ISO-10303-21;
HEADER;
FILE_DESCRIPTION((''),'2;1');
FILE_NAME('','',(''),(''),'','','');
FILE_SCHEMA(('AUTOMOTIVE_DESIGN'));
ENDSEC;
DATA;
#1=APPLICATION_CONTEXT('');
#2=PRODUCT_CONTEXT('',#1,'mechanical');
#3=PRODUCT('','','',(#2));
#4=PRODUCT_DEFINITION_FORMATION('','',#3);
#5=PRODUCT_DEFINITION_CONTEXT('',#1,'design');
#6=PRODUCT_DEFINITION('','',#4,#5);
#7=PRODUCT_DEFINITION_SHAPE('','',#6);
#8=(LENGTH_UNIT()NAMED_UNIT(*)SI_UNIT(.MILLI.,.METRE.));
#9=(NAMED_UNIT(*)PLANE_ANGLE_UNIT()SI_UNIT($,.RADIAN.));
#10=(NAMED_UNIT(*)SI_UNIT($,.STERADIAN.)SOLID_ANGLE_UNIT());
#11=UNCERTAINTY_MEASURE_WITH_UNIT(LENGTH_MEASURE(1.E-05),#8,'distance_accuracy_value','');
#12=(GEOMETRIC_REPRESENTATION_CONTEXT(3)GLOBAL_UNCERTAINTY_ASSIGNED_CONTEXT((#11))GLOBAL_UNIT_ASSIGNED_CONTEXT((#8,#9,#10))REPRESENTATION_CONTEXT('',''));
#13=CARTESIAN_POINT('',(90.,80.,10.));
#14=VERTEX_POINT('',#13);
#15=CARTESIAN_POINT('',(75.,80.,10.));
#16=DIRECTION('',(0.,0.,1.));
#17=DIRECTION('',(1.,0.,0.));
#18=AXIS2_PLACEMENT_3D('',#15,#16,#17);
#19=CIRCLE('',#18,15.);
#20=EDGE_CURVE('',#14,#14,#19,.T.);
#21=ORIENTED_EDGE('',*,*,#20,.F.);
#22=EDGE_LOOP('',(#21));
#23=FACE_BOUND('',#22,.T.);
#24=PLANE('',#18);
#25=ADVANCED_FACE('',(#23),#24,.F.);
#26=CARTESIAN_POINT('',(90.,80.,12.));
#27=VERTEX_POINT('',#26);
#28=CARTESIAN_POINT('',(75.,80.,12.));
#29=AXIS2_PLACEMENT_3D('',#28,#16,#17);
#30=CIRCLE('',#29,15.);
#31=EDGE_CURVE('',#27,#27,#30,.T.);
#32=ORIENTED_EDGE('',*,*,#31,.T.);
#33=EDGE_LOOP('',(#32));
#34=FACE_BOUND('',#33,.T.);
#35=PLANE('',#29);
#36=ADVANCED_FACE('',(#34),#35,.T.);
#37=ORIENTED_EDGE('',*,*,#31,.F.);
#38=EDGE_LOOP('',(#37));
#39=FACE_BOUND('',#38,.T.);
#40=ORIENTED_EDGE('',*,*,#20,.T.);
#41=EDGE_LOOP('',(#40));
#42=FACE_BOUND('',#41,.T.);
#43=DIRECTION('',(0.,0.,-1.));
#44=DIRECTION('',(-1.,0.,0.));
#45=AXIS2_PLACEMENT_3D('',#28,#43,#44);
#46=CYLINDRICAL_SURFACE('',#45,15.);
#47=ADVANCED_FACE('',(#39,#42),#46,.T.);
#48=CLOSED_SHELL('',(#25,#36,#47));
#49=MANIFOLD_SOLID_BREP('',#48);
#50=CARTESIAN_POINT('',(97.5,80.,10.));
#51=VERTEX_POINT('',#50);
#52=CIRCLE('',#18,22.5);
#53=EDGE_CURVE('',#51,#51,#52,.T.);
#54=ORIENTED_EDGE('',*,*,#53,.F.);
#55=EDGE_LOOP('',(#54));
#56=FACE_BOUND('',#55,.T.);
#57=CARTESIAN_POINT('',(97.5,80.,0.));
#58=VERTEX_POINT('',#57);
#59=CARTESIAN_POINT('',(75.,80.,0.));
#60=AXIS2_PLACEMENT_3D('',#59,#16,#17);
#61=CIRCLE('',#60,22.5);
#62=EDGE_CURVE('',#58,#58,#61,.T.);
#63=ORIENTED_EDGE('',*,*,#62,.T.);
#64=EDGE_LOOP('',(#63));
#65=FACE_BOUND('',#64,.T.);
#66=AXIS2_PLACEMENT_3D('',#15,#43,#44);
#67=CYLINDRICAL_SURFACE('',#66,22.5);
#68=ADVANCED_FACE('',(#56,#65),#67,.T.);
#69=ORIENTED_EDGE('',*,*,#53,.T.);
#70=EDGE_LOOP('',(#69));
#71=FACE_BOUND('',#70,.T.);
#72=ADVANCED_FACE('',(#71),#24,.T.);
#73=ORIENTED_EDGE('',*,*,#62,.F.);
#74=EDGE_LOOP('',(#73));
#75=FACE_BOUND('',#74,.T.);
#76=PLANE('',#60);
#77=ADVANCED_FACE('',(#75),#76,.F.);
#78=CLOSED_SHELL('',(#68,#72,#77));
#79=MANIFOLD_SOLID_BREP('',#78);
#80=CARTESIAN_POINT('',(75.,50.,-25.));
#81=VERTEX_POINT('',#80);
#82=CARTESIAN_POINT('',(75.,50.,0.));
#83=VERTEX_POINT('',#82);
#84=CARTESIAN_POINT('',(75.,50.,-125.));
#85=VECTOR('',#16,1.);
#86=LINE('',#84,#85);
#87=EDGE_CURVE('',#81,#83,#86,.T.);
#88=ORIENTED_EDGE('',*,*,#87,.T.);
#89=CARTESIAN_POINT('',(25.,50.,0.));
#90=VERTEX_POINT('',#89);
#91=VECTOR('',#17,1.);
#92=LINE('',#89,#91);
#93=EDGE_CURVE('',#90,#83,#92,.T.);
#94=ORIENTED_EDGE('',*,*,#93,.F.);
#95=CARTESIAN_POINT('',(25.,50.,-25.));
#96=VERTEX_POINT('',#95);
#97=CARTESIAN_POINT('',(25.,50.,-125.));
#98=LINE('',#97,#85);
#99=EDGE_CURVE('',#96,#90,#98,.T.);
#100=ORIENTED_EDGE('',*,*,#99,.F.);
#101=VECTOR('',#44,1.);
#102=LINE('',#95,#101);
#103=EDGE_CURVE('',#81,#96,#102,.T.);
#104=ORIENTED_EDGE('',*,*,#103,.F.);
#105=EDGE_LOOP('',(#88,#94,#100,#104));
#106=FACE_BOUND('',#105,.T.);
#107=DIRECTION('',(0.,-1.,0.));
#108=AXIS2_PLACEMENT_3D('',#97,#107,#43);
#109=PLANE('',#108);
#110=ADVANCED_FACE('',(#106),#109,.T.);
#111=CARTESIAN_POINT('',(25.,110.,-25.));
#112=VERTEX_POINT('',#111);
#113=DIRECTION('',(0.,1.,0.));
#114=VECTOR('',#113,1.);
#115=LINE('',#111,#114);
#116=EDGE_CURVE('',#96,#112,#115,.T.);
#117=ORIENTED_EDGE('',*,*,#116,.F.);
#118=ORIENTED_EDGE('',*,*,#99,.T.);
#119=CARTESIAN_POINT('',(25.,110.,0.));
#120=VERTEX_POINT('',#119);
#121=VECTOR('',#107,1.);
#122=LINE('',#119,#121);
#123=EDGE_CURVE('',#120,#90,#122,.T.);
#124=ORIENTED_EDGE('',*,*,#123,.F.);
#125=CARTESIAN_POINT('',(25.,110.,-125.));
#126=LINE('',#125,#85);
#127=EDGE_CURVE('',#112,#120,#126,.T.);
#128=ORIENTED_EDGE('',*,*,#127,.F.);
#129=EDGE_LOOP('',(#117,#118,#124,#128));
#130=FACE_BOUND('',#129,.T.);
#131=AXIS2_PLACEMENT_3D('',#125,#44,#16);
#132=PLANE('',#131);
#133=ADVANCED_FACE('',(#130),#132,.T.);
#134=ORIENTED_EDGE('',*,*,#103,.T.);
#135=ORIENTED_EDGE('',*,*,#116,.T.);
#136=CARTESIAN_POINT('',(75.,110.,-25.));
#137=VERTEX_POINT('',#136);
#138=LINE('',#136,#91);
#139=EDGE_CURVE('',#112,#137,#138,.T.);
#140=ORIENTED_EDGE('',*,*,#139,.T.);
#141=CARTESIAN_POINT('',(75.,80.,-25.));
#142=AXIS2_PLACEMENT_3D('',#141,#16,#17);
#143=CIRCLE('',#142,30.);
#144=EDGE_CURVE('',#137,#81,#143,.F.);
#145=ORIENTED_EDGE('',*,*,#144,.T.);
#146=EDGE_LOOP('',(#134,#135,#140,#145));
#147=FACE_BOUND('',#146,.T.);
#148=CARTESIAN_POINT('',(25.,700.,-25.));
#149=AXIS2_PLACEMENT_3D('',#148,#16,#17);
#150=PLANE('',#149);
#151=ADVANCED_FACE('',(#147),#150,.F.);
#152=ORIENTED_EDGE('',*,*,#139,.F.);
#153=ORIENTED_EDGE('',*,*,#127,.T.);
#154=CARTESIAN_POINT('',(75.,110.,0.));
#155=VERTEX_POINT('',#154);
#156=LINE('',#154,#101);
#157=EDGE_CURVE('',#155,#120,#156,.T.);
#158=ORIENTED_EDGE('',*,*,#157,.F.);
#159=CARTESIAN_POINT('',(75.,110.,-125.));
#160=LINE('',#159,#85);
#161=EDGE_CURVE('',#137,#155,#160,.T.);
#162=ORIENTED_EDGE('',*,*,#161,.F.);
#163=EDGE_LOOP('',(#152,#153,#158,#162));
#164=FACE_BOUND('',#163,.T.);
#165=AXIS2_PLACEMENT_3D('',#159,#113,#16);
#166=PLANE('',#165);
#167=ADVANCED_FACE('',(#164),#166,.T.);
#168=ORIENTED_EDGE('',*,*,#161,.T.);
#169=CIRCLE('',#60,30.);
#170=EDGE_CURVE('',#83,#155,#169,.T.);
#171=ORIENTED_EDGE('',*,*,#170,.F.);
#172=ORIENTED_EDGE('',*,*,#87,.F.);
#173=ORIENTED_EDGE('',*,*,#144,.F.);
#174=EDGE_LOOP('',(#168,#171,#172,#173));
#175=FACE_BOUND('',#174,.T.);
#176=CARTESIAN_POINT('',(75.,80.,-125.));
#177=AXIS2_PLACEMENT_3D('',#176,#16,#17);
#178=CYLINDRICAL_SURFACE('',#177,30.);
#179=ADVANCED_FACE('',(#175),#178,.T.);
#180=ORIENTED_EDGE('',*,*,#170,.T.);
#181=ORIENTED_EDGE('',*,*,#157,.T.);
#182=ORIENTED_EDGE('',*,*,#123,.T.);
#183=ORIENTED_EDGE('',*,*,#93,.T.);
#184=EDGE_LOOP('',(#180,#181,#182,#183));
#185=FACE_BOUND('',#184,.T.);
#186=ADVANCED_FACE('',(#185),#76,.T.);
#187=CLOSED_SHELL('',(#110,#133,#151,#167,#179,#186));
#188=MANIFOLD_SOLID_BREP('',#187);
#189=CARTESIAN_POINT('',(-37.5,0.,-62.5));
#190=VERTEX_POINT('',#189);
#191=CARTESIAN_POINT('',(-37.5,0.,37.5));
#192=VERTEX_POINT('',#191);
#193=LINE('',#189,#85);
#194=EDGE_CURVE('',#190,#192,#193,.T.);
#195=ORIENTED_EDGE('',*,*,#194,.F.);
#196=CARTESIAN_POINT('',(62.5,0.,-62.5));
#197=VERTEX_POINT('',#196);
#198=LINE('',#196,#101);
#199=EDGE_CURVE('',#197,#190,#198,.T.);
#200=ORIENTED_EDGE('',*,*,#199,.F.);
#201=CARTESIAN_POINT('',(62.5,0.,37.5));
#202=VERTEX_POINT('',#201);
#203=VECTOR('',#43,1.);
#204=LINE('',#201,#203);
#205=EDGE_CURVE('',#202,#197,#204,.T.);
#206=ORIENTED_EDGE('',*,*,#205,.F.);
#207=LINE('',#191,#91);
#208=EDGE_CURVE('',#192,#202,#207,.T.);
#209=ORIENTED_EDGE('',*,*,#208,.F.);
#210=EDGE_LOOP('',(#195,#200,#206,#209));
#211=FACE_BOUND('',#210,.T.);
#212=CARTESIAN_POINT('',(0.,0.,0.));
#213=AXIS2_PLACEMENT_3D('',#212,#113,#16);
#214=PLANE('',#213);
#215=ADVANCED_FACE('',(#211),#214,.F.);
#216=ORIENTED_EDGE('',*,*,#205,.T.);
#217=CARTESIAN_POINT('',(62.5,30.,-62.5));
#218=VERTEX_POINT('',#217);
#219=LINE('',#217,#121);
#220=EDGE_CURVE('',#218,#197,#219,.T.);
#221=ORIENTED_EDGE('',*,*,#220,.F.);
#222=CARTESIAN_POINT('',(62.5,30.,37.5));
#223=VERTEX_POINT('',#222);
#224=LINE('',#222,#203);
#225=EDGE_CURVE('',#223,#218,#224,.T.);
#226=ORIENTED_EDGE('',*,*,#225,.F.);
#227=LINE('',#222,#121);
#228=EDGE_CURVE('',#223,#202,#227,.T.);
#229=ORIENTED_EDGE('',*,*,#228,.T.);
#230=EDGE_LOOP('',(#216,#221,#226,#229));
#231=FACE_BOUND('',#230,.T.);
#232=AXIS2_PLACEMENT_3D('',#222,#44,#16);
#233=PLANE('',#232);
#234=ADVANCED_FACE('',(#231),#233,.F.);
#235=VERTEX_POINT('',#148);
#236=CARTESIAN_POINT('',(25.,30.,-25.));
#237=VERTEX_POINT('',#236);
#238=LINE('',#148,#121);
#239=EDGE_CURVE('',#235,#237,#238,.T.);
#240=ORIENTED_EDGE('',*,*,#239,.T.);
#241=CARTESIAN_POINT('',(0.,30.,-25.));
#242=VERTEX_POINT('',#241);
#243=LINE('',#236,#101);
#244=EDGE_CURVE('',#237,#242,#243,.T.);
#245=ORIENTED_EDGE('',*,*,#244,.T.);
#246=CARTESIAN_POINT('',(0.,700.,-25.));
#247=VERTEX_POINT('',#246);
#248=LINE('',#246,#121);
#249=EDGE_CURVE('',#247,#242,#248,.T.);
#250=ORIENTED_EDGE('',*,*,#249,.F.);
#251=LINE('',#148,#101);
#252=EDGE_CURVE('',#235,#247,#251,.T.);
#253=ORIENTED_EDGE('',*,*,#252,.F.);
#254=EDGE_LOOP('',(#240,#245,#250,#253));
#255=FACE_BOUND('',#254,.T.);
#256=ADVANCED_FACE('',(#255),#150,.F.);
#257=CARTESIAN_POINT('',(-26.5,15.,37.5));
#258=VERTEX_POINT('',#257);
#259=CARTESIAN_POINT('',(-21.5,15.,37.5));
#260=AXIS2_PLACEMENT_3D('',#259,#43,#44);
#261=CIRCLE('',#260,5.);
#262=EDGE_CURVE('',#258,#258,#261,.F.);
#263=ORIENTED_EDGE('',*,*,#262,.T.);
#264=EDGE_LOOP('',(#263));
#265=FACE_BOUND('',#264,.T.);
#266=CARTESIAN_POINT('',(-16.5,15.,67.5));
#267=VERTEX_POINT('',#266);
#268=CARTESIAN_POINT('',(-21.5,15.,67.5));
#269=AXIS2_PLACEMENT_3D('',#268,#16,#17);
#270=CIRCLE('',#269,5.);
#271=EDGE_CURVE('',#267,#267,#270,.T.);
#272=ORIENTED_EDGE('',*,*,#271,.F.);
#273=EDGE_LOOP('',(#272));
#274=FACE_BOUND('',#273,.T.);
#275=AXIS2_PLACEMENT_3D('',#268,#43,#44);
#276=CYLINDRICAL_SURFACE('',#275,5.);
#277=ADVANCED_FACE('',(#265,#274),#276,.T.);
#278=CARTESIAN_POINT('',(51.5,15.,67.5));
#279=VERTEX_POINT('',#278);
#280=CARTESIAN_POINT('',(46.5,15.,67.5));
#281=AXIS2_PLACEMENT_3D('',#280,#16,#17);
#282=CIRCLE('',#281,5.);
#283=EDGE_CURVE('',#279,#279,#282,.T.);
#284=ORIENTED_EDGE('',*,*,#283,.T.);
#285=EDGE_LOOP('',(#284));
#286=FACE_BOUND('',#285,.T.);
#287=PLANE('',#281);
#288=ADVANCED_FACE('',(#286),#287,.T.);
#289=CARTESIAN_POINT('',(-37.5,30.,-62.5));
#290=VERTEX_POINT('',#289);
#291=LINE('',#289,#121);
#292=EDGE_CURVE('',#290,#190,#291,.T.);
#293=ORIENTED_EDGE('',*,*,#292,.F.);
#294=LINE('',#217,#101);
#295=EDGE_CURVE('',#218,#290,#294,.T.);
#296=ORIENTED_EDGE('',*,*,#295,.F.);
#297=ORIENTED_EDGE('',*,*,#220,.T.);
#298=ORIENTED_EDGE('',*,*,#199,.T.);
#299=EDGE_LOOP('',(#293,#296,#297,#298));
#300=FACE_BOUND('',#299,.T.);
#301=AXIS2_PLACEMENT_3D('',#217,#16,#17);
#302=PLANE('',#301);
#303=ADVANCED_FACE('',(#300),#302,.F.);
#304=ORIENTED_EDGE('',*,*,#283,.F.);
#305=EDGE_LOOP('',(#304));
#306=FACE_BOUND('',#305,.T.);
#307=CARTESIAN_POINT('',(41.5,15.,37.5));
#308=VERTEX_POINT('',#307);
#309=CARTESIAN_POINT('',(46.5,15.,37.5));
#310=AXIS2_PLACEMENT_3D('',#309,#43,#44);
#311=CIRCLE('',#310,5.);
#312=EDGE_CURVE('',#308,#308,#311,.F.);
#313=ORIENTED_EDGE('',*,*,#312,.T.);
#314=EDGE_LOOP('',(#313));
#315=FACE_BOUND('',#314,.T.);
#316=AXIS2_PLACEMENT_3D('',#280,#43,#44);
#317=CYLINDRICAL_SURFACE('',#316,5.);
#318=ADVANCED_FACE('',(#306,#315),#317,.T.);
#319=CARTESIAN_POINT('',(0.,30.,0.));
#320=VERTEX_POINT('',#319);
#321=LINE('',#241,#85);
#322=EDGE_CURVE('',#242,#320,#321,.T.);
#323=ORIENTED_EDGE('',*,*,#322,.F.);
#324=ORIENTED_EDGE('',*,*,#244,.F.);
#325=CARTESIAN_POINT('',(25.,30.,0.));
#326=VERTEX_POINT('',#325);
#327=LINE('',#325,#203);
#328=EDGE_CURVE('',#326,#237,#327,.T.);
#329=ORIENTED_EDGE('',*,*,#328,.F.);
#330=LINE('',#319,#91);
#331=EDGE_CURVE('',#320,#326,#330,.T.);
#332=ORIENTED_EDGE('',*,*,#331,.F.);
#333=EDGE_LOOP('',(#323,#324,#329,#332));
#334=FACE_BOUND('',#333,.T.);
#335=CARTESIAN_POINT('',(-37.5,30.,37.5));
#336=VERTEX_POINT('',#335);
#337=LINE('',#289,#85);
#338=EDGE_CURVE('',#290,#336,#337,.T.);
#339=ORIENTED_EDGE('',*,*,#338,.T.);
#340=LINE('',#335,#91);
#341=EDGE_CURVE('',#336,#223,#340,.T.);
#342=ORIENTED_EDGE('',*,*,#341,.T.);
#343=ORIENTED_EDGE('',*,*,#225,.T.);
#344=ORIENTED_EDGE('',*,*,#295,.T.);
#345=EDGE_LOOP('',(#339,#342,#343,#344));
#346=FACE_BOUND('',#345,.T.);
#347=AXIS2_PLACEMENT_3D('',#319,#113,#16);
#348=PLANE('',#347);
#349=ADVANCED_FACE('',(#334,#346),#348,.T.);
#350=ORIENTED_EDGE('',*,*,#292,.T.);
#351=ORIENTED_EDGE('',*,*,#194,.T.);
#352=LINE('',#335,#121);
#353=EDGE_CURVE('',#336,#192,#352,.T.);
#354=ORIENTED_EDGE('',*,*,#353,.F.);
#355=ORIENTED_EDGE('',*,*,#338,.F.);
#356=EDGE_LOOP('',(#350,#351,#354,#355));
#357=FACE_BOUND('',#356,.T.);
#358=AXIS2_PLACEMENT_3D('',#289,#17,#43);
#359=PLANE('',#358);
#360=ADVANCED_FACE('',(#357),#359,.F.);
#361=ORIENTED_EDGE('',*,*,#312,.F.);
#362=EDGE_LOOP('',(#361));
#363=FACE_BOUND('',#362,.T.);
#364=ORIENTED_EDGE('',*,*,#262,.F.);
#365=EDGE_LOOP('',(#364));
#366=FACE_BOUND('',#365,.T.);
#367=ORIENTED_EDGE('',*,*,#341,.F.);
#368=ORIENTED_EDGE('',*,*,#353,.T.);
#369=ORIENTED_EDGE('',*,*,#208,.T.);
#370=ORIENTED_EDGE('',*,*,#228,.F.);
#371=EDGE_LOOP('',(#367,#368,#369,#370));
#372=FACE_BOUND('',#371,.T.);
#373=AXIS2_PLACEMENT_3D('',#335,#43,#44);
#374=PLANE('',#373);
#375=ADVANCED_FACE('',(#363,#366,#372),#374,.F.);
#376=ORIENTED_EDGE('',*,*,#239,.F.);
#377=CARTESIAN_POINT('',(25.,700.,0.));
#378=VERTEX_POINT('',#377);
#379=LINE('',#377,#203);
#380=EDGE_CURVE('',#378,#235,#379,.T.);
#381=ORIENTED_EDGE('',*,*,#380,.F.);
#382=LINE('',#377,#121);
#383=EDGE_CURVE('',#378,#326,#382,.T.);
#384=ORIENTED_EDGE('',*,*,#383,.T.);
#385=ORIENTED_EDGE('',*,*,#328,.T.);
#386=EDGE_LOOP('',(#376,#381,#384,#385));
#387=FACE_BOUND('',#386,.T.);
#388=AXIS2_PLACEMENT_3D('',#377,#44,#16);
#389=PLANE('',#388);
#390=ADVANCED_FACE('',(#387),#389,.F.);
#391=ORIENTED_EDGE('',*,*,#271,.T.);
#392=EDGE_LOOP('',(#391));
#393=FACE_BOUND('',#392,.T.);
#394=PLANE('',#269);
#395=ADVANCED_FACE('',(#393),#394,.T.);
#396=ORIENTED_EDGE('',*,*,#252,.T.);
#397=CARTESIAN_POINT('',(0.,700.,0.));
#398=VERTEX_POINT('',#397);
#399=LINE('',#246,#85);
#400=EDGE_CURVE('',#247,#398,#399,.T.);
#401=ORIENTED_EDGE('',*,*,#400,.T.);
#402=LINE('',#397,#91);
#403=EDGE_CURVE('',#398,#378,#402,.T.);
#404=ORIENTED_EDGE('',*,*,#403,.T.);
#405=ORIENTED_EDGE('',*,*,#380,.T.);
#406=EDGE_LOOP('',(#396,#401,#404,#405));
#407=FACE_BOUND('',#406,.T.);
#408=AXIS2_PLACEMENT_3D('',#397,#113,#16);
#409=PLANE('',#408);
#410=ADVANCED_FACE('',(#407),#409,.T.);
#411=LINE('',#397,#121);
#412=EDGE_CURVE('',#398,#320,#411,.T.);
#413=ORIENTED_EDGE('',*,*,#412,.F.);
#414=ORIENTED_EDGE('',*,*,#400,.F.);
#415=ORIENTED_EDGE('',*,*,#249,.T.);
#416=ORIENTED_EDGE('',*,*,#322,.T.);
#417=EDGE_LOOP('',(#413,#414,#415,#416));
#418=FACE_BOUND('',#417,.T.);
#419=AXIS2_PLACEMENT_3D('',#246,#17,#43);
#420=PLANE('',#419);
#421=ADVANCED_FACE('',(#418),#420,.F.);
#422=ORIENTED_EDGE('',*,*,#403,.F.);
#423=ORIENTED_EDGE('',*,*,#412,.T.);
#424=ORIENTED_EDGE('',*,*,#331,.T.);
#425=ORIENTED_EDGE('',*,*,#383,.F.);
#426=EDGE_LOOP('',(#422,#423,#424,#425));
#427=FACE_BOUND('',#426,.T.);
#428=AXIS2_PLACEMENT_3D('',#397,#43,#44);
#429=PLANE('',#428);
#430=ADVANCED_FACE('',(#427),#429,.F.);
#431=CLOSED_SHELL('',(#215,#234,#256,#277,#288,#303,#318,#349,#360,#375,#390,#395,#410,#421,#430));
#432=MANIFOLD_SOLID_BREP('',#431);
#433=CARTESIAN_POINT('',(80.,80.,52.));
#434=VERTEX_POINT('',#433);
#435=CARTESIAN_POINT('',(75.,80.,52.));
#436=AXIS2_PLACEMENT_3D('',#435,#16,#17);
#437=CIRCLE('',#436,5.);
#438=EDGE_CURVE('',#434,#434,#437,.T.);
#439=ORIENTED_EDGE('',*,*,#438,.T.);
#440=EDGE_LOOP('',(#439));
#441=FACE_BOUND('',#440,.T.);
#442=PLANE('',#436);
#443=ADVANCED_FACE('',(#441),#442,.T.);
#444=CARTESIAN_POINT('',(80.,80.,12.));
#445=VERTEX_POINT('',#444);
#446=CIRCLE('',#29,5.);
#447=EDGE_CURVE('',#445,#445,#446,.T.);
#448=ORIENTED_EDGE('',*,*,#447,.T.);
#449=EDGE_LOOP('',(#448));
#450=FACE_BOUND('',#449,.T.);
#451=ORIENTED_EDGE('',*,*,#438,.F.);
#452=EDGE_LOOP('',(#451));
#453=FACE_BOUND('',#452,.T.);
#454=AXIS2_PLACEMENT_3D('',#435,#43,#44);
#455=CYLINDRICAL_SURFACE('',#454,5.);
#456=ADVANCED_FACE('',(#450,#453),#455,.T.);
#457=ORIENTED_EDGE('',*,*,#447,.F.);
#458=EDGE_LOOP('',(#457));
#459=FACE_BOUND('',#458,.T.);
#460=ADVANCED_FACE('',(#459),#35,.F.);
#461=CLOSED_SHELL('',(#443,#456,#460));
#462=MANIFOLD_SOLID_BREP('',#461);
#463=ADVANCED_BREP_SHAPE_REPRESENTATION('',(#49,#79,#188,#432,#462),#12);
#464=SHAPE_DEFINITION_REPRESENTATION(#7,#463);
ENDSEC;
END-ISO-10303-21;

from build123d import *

# Parameters (mm, degrees)
SKETCH_1_W      = 25
SKETCH_1_H      = 25
EXTRUDE_1_DEPTH = 700
EXTRUDE_2_DEPTH = 25
SKETCH_3_R      = 22.5
EXTRUDE_3_DEPTH = 10
SKETCH_4_R      = 15
EXTRUDE_4_DEPTH = 2
SKETCH_6_R      = 5
EXTRUDE_5_DEPTH = 40
SKETCH_7_W      = 100
SKETCH_7_H      = 100
EXTRUDE_6_DEPTH = 30
SKETCH_9_R      = 5
EXTRUDE_7_DEPTH = 30


with BuildPart() as part:
    # 草图1 → 凸台-拉伸1 (new body)
    with BuildSketch(Plane(origin=(0, 0, 0), x_dir=(1, 0, 0), z_dir=(0, 1, 0))):
        with Locations((12.5, 12.5)):
            Rectangle(SKETCH_1_W, SKETCH_1_H)
    extrude(amount=EXTRUDE_1_DEPTH)

    # 草图7 → 凸台-拉伸6 (add)
    with BuildSketch(Plane(origin=(0, 0, 0), x_dir=(1, 0, 0), z_dir=(0, 1, 0))):
        with Locations((12.5, 12.5)):
            Rectangle(SKETCH_7_W, SKETCH_7_H)
    extrude(amount=EXTRUDE_6_DEPTH)

    # 草图9 → 凸台-拉伸7 (add)
    with BuildSketch(Plane.XY.offset(37.5)):
        with Locations(Location((-21.5, 15, 0), (0, 0, 180))):
            Circle(SKETCH_9_R)
        with Locations(Location((46.5, 15, 0), (0, 0, 180))):
            Circle(SKETCH_9_R)
    extrude(amount=EXTRUDE_7_DEPTH)


with BuildPart() as body_2:
    # 草图2 → 凸台-拉伸2 (new body)
    with BuildSketch(Plane.XY):
        with BuildLine():
            Line((75, 110), (25, 110))
            Line((25, 110), (25, 50))
            Line((25, 50), (75, 50))
            ThreePointArc((75, 50), (105, 80), (75, 110))
        make_face()
    extrude(amount=-EXTRUDE_2_DEPTH)


with BuildPart() as body_3:
    # 草图3 → 凸台-拉伸3 (new body)
    with BuildSketch(Plane.XY):
        with Locations((75, 80)):
            Circle(SKETCH_3_R)
    extrude(amount=EXTRUDE_3_DEPTH)


with BuildPart() as body_4:
    # 草图4 → 凸台-拉伸4 (new body)
    with BuildSketch(Plane.XY.offset(10)):
        with Locations((75, 80)):
            Circle(SKETCH_4_R)
    extrude(amount=EXTRUDE_4_DEPTH)


with BuildPart() as body_5:
    # 草图6 → 凸台-拉伸5 (new body)
    with BuildSketch(Plane.XY.offset(12)):
        with Locations((75, 80)):
            Circle(SKETCH_6_R)
    extrude(amount=EXTRUDE_5_DEPTH)


solid = Compound([part.part, body_2.part, body_3.part, body_4.part, body_5.part])
